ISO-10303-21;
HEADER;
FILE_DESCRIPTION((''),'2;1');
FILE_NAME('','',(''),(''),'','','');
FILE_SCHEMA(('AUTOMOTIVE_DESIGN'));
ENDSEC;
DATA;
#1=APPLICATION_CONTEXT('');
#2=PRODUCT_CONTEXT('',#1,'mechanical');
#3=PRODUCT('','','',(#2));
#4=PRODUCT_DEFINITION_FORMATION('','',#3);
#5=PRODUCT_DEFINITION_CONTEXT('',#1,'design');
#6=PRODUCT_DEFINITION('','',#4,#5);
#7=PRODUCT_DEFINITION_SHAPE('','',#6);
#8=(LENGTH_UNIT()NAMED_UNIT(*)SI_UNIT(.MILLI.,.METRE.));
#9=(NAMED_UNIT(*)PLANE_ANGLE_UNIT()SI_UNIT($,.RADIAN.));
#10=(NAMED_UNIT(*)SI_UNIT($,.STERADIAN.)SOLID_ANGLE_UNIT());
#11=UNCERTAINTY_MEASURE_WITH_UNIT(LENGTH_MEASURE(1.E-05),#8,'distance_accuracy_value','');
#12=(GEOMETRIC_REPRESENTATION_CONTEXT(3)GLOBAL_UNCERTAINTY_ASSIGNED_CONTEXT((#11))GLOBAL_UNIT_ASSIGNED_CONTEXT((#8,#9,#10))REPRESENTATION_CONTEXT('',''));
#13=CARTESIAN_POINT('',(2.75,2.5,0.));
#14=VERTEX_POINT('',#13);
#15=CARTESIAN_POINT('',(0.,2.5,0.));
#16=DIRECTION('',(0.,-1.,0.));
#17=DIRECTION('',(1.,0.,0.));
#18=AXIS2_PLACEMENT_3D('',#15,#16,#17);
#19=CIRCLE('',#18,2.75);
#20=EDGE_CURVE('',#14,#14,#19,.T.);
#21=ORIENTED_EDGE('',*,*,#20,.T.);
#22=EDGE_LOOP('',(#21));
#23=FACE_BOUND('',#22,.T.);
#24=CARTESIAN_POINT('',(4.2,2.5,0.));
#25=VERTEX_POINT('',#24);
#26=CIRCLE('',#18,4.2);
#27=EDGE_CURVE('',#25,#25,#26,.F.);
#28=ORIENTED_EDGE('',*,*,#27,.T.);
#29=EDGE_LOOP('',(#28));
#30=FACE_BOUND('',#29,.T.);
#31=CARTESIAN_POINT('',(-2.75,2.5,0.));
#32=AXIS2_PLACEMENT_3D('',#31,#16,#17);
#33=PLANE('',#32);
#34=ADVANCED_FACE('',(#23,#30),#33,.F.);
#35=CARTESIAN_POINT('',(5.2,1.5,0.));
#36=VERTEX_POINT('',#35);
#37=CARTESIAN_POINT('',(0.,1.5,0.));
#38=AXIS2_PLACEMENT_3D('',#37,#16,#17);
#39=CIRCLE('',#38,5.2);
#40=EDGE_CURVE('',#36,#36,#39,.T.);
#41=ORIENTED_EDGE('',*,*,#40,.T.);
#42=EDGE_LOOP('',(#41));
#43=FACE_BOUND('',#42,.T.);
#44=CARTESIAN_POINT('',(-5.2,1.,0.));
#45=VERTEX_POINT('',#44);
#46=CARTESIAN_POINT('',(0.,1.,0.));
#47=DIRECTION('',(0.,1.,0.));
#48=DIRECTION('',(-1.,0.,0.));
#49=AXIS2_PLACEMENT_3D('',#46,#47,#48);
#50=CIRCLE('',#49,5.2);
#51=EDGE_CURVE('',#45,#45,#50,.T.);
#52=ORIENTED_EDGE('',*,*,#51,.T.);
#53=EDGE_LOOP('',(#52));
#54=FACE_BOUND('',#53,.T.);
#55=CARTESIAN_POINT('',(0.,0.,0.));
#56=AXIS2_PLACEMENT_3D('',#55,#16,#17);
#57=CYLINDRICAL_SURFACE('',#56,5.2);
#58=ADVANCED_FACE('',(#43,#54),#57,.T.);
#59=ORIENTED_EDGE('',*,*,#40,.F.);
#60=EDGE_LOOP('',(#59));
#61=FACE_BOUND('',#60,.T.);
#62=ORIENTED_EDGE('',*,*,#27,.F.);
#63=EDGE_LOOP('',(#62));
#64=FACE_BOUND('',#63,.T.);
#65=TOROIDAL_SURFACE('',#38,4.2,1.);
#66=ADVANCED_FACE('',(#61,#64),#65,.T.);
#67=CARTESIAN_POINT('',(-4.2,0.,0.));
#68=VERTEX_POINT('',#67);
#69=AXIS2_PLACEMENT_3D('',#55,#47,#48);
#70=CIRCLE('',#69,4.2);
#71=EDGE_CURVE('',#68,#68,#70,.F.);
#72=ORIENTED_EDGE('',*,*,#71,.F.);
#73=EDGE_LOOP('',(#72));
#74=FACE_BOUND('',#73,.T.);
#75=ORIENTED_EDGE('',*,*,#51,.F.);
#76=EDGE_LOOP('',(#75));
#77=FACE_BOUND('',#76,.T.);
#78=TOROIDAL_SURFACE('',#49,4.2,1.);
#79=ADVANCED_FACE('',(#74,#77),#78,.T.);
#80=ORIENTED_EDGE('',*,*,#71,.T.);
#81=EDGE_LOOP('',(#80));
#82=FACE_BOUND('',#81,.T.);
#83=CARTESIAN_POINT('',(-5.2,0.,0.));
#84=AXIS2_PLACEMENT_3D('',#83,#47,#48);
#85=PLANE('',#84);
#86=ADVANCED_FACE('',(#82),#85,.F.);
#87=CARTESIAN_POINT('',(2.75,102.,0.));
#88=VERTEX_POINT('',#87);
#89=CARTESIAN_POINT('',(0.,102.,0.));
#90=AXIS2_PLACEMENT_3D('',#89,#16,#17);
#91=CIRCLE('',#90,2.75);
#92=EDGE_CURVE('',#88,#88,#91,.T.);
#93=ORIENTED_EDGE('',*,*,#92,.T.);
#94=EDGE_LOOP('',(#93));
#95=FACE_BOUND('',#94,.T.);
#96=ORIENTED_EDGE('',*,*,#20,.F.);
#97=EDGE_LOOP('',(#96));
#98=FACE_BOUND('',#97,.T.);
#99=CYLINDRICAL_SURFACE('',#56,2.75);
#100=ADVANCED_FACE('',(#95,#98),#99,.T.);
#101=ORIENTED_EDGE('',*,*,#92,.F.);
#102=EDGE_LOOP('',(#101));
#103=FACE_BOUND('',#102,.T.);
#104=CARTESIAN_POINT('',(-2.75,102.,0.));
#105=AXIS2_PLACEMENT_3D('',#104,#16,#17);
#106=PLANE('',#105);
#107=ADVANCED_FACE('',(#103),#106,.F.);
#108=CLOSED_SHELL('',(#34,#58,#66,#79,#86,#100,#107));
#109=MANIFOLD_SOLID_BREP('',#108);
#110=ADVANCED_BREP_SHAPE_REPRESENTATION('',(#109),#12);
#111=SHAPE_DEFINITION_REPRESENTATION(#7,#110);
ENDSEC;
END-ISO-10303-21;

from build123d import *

# Parameters (mm, degrees)
FILLET1_R = 1


with BuildPart() as part:
    # Sketch1 → Revolve1 (revolve)
    with BuildSketch(Plane.XY, mode=Mode.PRIVATE) as revolve1_sk:
        Polygon((-2.75, 102), (-2.75, 2.5), (-5.2, 2.5), (-5.2, 0), (0, 0), (0, 102), align=None)
    revolve(revolve1_sk.sketch.rotate(Axis((0, 0, 0), (0, 1, 0)), 180), axis=Axis((0, 0, 0), (0, 1, 0)))

    # Fillet1
    fillet1_edges = [part.edges().sort_by_distance(p)[0] for p in [
        (-5.2, 0, 0),
        (-5.2, 2.5, 0),
    ]]
    fillet(fillet1_edges, radius=FILLET1_R)


solid = part.part
